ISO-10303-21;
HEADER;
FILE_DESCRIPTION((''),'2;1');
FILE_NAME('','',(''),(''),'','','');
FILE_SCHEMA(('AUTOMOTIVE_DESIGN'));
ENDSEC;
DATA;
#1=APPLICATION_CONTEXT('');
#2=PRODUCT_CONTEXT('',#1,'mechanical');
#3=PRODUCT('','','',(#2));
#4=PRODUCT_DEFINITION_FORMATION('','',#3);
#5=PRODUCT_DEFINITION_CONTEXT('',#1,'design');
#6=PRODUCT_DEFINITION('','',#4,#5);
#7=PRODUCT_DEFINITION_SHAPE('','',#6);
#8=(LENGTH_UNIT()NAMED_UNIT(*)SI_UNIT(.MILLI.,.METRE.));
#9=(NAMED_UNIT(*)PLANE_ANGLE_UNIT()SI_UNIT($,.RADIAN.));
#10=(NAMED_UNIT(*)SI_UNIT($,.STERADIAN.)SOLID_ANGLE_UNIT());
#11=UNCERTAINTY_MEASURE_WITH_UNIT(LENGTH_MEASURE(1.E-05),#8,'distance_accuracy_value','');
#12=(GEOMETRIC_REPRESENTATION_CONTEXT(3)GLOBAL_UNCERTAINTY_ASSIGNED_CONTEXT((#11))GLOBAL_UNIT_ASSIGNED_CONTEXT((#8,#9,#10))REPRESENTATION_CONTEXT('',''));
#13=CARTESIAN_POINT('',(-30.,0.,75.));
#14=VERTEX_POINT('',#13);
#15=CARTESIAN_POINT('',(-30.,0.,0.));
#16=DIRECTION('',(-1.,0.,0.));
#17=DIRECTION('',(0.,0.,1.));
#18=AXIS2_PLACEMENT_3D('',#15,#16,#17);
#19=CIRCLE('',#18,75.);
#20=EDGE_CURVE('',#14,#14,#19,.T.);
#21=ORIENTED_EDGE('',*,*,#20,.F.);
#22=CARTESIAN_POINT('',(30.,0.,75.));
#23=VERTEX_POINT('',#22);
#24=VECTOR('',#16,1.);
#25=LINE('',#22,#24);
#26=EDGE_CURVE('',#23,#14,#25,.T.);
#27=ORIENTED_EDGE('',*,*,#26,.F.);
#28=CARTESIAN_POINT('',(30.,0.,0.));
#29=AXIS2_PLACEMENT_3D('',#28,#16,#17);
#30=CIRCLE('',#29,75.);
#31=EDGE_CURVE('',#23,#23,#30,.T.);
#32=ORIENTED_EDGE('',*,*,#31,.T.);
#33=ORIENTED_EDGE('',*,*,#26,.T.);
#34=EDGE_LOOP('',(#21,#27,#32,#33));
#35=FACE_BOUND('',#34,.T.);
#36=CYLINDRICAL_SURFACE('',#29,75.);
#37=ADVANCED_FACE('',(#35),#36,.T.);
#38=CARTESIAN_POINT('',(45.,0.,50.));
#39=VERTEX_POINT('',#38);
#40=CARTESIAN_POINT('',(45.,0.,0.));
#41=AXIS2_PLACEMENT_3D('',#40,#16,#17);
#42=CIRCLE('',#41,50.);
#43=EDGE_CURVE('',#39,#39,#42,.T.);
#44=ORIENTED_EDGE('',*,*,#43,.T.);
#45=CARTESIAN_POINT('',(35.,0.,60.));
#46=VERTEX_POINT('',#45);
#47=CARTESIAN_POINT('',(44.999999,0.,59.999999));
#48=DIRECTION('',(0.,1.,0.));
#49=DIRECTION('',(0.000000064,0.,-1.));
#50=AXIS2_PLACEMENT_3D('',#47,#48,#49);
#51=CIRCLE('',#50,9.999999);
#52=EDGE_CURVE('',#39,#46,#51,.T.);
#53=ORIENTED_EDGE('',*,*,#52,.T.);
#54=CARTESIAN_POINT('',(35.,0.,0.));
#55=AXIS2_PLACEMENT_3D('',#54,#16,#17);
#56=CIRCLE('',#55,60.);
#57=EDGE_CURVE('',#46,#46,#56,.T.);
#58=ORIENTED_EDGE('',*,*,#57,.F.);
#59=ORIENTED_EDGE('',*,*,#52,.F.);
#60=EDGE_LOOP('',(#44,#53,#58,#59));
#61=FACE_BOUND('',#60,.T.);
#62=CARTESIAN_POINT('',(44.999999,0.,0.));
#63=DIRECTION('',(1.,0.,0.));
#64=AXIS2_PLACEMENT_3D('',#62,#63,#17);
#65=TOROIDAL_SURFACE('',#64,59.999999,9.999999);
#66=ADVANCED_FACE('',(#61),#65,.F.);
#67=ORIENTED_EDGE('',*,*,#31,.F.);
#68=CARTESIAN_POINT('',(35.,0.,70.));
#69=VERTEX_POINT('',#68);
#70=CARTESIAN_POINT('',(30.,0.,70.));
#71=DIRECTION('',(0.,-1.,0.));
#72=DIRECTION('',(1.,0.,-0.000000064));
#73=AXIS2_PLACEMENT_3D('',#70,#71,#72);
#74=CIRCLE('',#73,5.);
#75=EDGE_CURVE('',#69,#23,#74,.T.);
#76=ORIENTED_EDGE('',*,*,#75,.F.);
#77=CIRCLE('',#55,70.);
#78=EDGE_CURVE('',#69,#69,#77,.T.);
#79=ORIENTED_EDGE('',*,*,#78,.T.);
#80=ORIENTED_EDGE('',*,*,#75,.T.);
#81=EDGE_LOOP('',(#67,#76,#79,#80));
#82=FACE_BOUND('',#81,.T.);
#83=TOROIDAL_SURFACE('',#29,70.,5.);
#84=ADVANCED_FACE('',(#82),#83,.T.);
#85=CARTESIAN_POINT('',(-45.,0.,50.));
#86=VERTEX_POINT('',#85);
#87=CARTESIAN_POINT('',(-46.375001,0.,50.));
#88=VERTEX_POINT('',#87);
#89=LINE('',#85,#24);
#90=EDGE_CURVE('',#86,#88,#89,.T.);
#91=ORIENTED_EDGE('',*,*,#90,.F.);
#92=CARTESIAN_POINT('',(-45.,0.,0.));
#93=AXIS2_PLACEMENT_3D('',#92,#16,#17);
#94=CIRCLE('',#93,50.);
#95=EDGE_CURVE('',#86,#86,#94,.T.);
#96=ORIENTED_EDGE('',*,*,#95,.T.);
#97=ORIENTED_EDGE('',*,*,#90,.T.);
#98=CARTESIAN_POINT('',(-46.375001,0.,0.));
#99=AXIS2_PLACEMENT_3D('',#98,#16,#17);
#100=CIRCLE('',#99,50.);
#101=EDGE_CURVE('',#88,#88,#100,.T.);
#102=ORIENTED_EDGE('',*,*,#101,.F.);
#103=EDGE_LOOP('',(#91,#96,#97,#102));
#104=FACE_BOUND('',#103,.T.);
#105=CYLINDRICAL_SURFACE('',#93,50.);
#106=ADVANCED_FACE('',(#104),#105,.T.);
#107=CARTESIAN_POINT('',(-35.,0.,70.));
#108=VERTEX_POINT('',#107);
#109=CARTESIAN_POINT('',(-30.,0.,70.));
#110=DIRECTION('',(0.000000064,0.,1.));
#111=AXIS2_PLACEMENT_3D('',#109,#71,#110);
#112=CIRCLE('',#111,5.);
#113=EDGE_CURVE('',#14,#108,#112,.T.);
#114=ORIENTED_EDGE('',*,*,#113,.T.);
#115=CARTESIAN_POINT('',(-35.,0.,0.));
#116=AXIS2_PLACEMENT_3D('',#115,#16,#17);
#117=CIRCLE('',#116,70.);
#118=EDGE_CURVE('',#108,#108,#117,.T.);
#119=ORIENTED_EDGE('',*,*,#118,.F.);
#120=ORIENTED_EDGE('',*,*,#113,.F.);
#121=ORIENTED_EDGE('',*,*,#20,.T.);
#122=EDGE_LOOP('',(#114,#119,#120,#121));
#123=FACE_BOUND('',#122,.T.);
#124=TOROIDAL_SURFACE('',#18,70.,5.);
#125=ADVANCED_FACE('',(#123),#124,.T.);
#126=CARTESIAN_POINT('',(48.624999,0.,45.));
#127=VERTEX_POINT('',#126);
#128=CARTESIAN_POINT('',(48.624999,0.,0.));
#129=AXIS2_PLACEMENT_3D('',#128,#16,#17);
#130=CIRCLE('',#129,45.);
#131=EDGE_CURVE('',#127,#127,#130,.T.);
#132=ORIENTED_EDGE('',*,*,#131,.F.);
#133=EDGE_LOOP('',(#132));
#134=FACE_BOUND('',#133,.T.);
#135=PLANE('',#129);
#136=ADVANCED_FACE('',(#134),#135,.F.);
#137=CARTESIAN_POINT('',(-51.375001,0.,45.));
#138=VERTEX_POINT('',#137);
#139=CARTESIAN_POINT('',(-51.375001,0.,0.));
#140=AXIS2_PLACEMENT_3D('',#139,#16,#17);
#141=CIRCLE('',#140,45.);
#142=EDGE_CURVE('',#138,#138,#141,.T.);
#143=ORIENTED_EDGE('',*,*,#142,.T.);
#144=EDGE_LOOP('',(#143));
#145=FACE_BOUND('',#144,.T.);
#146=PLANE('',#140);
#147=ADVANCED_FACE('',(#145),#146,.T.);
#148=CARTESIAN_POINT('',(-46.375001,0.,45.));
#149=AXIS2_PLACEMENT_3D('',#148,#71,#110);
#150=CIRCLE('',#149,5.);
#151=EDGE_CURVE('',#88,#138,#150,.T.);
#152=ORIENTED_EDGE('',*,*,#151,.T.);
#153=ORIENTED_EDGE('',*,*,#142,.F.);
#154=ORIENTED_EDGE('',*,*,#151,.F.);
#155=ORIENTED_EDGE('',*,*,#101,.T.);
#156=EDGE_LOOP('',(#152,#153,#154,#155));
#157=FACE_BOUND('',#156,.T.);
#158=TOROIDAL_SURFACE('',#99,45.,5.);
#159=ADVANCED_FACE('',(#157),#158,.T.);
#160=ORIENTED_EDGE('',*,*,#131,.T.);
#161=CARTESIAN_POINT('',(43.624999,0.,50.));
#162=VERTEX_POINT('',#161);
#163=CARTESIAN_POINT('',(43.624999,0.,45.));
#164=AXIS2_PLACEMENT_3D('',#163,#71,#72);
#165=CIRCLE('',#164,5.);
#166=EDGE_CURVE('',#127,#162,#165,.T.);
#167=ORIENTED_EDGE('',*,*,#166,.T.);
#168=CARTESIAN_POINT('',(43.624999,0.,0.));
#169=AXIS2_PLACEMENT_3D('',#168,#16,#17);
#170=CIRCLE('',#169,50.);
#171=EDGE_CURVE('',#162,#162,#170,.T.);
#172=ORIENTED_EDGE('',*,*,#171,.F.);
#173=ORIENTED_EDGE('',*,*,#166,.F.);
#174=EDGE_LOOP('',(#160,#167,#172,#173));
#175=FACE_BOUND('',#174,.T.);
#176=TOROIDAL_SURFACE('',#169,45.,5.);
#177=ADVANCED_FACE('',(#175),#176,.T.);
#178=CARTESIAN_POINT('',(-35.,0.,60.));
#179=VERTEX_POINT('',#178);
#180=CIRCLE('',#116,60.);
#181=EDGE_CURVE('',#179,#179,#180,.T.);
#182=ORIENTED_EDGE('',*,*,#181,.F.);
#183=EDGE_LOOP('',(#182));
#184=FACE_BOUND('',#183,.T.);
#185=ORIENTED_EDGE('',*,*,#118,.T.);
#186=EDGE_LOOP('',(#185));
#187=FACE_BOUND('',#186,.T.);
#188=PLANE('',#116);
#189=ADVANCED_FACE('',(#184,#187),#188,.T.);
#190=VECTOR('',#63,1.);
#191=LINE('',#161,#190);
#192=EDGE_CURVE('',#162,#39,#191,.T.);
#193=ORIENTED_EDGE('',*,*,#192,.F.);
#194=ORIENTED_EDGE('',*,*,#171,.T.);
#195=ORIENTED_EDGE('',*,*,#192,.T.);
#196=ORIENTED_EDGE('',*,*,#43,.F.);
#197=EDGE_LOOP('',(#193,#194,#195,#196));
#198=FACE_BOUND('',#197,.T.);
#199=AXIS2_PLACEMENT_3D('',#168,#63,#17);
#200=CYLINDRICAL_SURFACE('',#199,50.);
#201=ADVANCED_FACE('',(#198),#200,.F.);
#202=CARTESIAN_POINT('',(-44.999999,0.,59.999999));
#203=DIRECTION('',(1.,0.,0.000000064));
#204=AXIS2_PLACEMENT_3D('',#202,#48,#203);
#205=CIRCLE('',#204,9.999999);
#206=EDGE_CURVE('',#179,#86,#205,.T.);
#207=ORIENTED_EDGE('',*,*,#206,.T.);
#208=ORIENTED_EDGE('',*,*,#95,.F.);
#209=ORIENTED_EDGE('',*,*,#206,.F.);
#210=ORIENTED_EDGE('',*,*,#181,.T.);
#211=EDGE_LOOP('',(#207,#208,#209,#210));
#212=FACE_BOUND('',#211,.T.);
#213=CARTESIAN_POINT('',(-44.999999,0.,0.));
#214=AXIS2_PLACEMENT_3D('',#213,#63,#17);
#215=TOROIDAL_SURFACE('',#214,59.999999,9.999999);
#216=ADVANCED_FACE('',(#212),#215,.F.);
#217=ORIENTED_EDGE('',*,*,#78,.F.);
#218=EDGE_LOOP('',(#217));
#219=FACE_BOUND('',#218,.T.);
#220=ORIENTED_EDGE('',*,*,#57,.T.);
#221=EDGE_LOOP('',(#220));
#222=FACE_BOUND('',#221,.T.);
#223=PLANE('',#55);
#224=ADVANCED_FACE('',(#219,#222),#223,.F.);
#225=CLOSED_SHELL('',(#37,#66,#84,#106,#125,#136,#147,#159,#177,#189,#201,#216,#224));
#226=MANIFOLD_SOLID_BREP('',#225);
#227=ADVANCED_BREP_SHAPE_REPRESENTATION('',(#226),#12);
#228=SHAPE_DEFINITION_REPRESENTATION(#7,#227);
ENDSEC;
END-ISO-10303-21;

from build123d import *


with BuildPart() as f1:
    # F0 (on Front) → F1 (revolve)
    with BuildSketch(Plane.XZ):
        with BuildLine():
            Line((-51.375001, 45), (-51.375001, 0))
            Line((-51.375001, 0), (48.624999, 0))
            Line((48.624999, 0), (48.624999, 45))
            ThreePointArc((48.624999, 45), (47.160533, 48.535534), (43.624999, 50))
            Line((43.624999, 50), (45, 50))
            ThreePointArc((45, 50), (37.928932, 52.928932), (35, 60))
            Line((35, 60), (35, 70))
            ThreePointArc((35, 70), (33.535534, 73.535534), (30, 75))
            Line((30, 75), (-30, 75))
            ThreePointArc((-30, 75), (-33.535534, 73.535534), (-35, 70))
            Line((-35, 70), (-35, 60))
            ThreePointArc((-35, 60), (-37.928932, 52.928932), (-45, 50))
            Line((-45, 50), (-46.375001, 50))
            ThreePointArc((-46.375001, 50), (-49.910535, 48.535534), (-51.375001, 45))
        make_face()
    revolve(axis=Axis((-1.375001, 0, 0), (-1, 0, 0)))


solid = f1.part
